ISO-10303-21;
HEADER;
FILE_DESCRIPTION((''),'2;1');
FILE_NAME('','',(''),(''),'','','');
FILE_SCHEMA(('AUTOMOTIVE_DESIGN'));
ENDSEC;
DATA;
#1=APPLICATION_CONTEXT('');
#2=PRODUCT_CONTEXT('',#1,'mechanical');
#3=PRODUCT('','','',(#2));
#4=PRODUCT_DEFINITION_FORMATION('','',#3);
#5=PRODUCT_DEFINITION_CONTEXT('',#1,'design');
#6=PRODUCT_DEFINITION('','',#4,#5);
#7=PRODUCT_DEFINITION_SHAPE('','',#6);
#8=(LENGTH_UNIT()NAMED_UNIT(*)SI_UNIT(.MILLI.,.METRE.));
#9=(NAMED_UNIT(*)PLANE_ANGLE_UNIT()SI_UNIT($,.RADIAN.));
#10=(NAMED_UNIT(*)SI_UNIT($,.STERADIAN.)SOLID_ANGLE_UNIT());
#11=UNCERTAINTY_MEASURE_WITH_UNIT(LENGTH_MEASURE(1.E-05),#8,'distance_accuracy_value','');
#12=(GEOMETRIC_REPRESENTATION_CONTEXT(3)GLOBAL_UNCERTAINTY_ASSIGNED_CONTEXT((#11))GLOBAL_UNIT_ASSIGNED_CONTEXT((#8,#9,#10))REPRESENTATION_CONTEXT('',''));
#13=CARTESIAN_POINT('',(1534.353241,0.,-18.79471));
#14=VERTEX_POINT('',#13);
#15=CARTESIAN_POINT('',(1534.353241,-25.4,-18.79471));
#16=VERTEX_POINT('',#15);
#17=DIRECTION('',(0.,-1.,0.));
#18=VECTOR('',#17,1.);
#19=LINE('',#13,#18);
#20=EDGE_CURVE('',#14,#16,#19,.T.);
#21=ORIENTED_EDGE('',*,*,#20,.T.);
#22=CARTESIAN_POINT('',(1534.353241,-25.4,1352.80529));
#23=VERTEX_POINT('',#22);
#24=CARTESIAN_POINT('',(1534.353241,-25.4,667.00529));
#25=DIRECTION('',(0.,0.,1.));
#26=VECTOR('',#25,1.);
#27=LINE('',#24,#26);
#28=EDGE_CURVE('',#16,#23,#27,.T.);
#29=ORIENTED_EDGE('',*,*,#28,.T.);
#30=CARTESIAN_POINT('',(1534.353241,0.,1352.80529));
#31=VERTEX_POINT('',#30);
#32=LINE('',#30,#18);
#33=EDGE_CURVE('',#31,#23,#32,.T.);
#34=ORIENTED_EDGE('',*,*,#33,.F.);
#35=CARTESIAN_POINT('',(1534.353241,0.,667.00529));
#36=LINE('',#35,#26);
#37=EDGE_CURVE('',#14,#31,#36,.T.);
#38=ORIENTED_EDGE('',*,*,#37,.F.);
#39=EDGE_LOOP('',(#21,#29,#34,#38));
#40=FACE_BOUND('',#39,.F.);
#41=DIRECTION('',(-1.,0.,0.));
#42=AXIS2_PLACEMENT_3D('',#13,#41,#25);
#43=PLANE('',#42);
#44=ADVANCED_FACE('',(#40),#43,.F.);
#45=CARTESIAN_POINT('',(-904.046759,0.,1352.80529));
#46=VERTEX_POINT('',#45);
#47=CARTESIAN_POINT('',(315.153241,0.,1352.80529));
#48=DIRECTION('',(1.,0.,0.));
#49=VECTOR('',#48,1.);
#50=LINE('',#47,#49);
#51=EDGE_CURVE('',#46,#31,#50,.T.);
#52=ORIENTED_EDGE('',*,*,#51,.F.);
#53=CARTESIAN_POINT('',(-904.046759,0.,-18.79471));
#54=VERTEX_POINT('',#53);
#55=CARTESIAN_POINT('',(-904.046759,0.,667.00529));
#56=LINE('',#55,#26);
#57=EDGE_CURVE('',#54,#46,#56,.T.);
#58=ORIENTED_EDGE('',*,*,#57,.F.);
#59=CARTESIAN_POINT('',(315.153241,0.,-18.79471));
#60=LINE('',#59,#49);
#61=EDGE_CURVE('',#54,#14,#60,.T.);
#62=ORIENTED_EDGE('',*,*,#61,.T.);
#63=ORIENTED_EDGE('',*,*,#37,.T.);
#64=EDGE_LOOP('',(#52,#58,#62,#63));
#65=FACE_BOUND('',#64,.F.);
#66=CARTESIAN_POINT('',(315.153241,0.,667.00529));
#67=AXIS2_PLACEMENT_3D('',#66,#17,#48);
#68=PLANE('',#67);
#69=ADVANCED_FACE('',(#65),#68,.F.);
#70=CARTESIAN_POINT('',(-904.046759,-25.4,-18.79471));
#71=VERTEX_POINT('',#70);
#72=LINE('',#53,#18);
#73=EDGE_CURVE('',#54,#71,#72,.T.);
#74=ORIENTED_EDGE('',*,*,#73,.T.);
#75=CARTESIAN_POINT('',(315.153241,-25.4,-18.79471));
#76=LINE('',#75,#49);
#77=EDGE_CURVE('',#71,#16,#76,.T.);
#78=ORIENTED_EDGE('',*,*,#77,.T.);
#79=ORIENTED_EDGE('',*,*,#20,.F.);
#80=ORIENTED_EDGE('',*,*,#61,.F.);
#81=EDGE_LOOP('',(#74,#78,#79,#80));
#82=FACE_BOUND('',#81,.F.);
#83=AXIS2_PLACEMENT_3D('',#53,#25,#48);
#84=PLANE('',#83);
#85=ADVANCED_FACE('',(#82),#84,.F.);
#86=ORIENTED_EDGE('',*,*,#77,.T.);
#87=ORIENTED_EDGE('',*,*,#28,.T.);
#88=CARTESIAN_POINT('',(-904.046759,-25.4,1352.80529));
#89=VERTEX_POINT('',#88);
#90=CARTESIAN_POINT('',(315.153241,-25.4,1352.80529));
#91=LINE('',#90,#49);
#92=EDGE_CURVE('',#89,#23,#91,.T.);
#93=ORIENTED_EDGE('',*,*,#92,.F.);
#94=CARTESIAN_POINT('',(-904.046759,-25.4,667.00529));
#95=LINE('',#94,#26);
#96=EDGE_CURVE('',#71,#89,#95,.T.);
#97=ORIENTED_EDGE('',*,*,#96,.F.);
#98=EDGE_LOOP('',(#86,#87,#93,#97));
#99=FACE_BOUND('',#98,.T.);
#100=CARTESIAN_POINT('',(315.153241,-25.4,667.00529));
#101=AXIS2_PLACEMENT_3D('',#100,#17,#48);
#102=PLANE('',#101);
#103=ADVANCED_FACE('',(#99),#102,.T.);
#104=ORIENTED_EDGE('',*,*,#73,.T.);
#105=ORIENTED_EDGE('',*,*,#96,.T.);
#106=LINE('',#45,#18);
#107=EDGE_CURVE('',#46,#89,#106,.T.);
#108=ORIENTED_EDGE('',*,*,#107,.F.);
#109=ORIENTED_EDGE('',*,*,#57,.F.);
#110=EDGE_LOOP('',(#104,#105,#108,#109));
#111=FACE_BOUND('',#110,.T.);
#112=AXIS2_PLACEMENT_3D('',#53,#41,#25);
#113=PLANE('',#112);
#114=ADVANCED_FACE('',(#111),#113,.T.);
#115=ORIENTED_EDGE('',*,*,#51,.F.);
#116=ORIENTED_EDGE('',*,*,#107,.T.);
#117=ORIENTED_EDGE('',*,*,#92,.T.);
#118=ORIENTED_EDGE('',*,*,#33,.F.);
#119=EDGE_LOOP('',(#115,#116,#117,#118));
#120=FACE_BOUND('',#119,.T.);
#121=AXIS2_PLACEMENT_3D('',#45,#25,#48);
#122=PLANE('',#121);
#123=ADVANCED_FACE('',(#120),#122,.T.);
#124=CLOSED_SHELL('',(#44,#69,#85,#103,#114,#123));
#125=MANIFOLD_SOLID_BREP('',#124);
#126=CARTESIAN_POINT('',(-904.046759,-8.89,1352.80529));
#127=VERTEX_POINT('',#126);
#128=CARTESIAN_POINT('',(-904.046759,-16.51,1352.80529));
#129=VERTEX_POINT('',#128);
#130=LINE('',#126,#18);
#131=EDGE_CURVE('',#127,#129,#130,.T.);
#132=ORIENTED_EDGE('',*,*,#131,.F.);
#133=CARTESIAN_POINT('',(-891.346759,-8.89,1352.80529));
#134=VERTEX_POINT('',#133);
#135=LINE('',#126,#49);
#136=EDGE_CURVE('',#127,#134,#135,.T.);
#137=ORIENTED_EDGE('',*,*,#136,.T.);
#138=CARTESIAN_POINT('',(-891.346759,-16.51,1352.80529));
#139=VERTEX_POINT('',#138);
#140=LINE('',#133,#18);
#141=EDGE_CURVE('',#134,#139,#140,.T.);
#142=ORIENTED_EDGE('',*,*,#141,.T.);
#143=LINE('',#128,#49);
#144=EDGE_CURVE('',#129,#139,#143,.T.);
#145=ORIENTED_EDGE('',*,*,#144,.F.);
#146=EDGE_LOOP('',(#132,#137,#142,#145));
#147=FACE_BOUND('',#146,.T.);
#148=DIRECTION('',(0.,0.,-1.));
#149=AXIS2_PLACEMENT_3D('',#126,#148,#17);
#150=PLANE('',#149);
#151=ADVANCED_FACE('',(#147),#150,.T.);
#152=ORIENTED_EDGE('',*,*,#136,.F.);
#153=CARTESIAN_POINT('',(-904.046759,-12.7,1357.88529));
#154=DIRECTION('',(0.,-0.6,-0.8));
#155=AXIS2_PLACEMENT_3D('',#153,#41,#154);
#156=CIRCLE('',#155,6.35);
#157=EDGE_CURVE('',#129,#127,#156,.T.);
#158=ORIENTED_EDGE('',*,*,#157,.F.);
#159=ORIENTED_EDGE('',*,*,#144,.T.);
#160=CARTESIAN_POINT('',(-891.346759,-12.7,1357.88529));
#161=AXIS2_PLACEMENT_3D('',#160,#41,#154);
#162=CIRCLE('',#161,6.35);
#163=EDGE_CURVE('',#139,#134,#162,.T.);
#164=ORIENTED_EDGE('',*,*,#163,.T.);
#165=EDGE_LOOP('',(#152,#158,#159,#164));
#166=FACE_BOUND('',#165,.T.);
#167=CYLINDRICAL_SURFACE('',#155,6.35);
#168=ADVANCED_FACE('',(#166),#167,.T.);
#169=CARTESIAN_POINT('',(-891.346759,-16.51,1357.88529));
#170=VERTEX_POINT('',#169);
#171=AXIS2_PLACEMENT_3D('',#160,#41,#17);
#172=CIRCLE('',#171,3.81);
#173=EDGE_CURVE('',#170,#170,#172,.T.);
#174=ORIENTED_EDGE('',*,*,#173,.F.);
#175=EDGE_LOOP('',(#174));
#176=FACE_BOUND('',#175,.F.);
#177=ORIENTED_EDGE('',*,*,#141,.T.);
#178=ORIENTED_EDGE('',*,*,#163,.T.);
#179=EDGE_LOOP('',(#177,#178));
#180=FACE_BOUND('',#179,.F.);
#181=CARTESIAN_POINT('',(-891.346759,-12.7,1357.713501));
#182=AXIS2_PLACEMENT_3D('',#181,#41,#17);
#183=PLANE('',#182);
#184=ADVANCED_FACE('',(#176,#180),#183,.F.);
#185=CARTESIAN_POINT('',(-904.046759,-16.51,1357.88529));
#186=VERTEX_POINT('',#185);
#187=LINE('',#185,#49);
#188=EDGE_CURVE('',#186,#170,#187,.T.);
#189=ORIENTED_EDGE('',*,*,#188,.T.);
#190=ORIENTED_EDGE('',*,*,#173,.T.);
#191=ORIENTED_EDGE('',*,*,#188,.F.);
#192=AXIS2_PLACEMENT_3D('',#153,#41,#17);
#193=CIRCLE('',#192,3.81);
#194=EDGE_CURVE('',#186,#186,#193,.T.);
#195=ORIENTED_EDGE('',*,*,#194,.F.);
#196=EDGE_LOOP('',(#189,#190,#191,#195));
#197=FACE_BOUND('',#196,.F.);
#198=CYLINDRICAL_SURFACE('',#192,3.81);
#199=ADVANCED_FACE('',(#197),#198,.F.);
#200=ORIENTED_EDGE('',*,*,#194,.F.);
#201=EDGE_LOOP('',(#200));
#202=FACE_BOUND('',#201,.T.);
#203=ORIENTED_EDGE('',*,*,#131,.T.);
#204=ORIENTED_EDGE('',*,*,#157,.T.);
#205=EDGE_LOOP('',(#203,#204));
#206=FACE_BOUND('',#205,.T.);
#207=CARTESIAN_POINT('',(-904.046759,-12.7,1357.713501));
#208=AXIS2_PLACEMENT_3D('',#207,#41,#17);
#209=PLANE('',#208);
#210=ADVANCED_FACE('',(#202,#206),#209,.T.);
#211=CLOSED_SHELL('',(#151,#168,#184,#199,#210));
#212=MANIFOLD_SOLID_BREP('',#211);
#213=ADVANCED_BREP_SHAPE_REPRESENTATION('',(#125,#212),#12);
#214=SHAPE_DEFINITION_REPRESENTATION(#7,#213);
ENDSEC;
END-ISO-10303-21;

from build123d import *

# Parameters (mm, degrees)
F0_W     = 2438.4
F0_H     = 1371.6
F1_DEPTH = 25.4
F2_R     = 3.81
F3_DEPTH = 12.7


with BuildPart() as f1:
    # F0 (on Front) → F1 (new body)
    with BuildSketch(Plane.XZ):
        with Locations((315.153241, 667.00529)):
            Rectangle(F0_W, F0_H)
    extrude(amount=F1_DEPTH)


with BuildPart() as f3:
    # F2 (on face) → F3 (new body)
    with BuildSketch(Plane(origin=(-904.046759, 0, 0), x_dir=(0, -1, 0), z_dir=(-1, 0, 0))):
        with BuildLine():
            Line((8.89, 1352.80529), (16.51, 1352.80529))
            ThreePointArc((16.51, 1352.80529), (12.7, 1364.23529), (8.89, 1352.80529))
        make_face()
        with Locations((12.7, 1357.88529)):
            Circle(F2_R, mode=Mode.SUBTRACT)
    extrude(amount=-F3_DEPTH)


solid = Compound([f1.part, f3.part])
